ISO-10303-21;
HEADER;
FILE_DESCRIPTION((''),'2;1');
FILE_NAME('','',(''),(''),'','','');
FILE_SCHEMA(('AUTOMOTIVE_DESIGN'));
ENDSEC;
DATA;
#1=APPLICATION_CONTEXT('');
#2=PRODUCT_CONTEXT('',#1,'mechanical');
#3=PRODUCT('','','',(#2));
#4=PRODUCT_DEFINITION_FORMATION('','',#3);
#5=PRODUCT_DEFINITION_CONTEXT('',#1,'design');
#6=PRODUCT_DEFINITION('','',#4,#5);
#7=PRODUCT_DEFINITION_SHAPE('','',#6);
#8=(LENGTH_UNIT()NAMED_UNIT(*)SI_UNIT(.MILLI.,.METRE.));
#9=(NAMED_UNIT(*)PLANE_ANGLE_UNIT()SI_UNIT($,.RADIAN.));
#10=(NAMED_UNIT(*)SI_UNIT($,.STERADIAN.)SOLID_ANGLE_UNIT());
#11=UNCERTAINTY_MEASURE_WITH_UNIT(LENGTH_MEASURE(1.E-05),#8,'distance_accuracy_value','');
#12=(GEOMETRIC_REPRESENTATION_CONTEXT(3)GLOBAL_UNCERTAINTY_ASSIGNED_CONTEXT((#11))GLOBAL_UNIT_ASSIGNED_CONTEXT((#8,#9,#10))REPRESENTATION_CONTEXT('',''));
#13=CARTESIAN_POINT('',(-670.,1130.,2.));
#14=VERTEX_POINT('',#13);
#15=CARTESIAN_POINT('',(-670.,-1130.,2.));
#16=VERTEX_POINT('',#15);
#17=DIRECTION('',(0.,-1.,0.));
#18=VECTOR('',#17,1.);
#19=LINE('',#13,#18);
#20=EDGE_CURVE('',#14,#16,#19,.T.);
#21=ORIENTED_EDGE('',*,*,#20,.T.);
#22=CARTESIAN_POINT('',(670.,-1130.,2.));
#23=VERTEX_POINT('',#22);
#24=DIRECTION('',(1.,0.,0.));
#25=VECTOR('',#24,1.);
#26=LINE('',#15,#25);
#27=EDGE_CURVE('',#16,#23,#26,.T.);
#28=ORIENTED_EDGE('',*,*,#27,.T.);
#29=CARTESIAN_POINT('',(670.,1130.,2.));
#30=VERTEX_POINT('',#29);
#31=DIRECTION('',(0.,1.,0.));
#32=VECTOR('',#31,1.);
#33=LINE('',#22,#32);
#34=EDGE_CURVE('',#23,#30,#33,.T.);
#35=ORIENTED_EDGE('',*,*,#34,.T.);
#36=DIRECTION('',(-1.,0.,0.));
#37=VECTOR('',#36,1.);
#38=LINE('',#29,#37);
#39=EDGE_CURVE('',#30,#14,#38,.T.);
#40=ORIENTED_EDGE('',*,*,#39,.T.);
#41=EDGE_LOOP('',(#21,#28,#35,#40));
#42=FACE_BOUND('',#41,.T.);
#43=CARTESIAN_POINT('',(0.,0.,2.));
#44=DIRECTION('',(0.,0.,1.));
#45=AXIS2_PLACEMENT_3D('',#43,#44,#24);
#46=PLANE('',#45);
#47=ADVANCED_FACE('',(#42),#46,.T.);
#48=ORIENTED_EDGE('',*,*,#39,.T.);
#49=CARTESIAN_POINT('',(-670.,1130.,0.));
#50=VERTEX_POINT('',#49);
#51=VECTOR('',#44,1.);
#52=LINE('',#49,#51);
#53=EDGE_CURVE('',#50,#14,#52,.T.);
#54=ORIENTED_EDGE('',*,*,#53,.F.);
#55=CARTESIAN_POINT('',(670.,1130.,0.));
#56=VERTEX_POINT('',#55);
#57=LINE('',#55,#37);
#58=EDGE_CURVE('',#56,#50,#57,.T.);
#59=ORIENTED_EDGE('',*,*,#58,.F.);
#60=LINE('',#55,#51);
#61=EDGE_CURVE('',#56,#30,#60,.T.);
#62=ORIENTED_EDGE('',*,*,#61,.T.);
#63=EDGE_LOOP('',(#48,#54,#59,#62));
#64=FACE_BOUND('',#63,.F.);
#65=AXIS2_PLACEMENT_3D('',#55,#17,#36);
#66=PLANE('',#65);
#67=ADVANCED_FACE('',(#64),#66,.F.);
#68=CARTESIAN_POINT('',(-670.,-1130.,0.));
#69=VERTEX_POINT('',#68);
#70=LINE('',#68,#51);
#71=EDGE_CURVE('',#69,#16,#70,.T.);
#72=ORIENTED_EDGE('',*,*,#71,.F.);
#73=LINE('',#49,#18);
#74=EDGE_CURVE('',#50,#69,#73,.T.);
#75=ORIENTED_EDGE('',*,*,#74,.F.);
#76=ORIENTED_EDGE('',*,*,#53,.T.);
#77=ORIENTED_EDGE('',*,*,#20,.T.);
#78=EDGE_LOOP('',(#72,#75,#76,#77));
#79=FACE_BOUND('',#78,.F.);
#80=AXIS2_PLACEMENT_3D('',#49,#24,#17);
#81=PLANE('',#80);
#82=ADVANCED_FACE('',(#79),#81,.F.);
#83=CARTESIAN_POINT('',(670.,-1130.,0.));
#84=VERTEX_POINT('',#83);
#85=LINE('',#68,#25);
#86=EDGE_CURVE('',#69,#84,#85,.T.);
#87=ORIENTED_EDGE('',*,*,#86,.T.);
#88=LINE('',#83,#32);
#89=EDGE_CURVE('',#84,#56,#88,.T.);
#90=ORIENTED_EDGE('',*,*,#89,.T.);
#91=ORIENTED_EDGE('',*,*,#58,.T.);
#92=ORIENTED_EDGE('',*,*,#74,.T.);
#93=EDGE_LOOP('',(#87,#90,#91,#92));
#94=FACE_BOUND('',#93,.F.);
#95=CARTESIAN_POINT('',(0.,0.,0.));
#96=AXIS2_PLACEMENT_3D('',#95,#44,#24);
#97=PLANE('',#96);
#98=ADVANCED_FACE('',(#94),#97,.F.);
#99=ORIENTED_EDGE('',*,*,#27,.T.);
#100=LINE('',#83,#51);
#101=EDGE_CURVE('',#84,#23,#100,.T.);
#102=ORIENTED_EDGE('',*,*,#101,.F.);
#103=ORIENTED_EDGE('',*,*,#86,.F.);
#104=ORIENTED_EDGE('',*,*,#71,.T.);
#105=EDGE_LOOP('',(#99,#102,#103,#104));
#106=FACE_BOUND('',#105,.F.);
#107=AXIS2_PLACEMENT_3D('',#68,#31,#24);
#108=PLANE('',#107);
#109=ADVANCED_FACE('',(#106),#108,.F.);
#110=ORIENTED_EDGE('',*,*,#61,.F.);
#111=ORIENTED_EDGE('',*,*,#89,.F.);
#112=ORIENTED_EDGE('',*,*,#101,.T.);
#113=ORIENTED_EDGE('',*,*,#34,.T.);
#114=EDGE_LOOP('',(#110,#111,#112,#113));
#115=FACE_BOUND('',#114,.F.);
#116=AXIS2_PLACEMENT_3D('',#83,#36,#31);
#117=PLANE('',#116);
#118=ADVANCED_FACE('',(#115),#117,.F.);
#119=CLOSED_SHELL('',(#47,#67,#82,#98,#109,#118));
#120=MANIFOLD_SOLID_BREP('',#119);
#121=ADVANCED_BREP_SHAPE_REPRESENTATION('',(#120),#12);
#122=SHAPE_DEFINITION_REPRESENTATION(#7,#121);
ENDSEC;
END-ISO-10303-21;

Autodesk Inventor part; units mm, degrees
ref_plane "YZ Plane" through (0, 0, 0) normal (1, 0, 0) x (0, 1, 0)
ref_plane "XZ Plane" through (0, 0, 0) normal (0, 1, 0) x (-1, 0, 0)
ref_plane "XY Plane" through (0, 0, 0) normal (0, 0, 1) x (1, 0, 0)
sketch "Sketch1" plane through (0, 0, 0) normal (0, 0, 1) x (1, 0, 0)
  line L0 (-670, -1130) -> (670, -1130)
  line L1 (670, -1130) -> (670, 1130)
  line L2 (670, 1130) -> (-670, 1130)
  line L3 (-670, 1130) -> (-670, -1130)
  line L4 (-670, -1130) -> (670, 1130) construction
  line L5 (670, -1130) -> (-670, 1130) construction
  point P0 (0, 0)
  dimension "d154" = 1340
  dimension "d155" = 2260
extrude "Plate5" add sketch "Sketch1" along normal blind 2
properties part number "PNS-0116 floor sheet 6" material "Stainless Steel"
